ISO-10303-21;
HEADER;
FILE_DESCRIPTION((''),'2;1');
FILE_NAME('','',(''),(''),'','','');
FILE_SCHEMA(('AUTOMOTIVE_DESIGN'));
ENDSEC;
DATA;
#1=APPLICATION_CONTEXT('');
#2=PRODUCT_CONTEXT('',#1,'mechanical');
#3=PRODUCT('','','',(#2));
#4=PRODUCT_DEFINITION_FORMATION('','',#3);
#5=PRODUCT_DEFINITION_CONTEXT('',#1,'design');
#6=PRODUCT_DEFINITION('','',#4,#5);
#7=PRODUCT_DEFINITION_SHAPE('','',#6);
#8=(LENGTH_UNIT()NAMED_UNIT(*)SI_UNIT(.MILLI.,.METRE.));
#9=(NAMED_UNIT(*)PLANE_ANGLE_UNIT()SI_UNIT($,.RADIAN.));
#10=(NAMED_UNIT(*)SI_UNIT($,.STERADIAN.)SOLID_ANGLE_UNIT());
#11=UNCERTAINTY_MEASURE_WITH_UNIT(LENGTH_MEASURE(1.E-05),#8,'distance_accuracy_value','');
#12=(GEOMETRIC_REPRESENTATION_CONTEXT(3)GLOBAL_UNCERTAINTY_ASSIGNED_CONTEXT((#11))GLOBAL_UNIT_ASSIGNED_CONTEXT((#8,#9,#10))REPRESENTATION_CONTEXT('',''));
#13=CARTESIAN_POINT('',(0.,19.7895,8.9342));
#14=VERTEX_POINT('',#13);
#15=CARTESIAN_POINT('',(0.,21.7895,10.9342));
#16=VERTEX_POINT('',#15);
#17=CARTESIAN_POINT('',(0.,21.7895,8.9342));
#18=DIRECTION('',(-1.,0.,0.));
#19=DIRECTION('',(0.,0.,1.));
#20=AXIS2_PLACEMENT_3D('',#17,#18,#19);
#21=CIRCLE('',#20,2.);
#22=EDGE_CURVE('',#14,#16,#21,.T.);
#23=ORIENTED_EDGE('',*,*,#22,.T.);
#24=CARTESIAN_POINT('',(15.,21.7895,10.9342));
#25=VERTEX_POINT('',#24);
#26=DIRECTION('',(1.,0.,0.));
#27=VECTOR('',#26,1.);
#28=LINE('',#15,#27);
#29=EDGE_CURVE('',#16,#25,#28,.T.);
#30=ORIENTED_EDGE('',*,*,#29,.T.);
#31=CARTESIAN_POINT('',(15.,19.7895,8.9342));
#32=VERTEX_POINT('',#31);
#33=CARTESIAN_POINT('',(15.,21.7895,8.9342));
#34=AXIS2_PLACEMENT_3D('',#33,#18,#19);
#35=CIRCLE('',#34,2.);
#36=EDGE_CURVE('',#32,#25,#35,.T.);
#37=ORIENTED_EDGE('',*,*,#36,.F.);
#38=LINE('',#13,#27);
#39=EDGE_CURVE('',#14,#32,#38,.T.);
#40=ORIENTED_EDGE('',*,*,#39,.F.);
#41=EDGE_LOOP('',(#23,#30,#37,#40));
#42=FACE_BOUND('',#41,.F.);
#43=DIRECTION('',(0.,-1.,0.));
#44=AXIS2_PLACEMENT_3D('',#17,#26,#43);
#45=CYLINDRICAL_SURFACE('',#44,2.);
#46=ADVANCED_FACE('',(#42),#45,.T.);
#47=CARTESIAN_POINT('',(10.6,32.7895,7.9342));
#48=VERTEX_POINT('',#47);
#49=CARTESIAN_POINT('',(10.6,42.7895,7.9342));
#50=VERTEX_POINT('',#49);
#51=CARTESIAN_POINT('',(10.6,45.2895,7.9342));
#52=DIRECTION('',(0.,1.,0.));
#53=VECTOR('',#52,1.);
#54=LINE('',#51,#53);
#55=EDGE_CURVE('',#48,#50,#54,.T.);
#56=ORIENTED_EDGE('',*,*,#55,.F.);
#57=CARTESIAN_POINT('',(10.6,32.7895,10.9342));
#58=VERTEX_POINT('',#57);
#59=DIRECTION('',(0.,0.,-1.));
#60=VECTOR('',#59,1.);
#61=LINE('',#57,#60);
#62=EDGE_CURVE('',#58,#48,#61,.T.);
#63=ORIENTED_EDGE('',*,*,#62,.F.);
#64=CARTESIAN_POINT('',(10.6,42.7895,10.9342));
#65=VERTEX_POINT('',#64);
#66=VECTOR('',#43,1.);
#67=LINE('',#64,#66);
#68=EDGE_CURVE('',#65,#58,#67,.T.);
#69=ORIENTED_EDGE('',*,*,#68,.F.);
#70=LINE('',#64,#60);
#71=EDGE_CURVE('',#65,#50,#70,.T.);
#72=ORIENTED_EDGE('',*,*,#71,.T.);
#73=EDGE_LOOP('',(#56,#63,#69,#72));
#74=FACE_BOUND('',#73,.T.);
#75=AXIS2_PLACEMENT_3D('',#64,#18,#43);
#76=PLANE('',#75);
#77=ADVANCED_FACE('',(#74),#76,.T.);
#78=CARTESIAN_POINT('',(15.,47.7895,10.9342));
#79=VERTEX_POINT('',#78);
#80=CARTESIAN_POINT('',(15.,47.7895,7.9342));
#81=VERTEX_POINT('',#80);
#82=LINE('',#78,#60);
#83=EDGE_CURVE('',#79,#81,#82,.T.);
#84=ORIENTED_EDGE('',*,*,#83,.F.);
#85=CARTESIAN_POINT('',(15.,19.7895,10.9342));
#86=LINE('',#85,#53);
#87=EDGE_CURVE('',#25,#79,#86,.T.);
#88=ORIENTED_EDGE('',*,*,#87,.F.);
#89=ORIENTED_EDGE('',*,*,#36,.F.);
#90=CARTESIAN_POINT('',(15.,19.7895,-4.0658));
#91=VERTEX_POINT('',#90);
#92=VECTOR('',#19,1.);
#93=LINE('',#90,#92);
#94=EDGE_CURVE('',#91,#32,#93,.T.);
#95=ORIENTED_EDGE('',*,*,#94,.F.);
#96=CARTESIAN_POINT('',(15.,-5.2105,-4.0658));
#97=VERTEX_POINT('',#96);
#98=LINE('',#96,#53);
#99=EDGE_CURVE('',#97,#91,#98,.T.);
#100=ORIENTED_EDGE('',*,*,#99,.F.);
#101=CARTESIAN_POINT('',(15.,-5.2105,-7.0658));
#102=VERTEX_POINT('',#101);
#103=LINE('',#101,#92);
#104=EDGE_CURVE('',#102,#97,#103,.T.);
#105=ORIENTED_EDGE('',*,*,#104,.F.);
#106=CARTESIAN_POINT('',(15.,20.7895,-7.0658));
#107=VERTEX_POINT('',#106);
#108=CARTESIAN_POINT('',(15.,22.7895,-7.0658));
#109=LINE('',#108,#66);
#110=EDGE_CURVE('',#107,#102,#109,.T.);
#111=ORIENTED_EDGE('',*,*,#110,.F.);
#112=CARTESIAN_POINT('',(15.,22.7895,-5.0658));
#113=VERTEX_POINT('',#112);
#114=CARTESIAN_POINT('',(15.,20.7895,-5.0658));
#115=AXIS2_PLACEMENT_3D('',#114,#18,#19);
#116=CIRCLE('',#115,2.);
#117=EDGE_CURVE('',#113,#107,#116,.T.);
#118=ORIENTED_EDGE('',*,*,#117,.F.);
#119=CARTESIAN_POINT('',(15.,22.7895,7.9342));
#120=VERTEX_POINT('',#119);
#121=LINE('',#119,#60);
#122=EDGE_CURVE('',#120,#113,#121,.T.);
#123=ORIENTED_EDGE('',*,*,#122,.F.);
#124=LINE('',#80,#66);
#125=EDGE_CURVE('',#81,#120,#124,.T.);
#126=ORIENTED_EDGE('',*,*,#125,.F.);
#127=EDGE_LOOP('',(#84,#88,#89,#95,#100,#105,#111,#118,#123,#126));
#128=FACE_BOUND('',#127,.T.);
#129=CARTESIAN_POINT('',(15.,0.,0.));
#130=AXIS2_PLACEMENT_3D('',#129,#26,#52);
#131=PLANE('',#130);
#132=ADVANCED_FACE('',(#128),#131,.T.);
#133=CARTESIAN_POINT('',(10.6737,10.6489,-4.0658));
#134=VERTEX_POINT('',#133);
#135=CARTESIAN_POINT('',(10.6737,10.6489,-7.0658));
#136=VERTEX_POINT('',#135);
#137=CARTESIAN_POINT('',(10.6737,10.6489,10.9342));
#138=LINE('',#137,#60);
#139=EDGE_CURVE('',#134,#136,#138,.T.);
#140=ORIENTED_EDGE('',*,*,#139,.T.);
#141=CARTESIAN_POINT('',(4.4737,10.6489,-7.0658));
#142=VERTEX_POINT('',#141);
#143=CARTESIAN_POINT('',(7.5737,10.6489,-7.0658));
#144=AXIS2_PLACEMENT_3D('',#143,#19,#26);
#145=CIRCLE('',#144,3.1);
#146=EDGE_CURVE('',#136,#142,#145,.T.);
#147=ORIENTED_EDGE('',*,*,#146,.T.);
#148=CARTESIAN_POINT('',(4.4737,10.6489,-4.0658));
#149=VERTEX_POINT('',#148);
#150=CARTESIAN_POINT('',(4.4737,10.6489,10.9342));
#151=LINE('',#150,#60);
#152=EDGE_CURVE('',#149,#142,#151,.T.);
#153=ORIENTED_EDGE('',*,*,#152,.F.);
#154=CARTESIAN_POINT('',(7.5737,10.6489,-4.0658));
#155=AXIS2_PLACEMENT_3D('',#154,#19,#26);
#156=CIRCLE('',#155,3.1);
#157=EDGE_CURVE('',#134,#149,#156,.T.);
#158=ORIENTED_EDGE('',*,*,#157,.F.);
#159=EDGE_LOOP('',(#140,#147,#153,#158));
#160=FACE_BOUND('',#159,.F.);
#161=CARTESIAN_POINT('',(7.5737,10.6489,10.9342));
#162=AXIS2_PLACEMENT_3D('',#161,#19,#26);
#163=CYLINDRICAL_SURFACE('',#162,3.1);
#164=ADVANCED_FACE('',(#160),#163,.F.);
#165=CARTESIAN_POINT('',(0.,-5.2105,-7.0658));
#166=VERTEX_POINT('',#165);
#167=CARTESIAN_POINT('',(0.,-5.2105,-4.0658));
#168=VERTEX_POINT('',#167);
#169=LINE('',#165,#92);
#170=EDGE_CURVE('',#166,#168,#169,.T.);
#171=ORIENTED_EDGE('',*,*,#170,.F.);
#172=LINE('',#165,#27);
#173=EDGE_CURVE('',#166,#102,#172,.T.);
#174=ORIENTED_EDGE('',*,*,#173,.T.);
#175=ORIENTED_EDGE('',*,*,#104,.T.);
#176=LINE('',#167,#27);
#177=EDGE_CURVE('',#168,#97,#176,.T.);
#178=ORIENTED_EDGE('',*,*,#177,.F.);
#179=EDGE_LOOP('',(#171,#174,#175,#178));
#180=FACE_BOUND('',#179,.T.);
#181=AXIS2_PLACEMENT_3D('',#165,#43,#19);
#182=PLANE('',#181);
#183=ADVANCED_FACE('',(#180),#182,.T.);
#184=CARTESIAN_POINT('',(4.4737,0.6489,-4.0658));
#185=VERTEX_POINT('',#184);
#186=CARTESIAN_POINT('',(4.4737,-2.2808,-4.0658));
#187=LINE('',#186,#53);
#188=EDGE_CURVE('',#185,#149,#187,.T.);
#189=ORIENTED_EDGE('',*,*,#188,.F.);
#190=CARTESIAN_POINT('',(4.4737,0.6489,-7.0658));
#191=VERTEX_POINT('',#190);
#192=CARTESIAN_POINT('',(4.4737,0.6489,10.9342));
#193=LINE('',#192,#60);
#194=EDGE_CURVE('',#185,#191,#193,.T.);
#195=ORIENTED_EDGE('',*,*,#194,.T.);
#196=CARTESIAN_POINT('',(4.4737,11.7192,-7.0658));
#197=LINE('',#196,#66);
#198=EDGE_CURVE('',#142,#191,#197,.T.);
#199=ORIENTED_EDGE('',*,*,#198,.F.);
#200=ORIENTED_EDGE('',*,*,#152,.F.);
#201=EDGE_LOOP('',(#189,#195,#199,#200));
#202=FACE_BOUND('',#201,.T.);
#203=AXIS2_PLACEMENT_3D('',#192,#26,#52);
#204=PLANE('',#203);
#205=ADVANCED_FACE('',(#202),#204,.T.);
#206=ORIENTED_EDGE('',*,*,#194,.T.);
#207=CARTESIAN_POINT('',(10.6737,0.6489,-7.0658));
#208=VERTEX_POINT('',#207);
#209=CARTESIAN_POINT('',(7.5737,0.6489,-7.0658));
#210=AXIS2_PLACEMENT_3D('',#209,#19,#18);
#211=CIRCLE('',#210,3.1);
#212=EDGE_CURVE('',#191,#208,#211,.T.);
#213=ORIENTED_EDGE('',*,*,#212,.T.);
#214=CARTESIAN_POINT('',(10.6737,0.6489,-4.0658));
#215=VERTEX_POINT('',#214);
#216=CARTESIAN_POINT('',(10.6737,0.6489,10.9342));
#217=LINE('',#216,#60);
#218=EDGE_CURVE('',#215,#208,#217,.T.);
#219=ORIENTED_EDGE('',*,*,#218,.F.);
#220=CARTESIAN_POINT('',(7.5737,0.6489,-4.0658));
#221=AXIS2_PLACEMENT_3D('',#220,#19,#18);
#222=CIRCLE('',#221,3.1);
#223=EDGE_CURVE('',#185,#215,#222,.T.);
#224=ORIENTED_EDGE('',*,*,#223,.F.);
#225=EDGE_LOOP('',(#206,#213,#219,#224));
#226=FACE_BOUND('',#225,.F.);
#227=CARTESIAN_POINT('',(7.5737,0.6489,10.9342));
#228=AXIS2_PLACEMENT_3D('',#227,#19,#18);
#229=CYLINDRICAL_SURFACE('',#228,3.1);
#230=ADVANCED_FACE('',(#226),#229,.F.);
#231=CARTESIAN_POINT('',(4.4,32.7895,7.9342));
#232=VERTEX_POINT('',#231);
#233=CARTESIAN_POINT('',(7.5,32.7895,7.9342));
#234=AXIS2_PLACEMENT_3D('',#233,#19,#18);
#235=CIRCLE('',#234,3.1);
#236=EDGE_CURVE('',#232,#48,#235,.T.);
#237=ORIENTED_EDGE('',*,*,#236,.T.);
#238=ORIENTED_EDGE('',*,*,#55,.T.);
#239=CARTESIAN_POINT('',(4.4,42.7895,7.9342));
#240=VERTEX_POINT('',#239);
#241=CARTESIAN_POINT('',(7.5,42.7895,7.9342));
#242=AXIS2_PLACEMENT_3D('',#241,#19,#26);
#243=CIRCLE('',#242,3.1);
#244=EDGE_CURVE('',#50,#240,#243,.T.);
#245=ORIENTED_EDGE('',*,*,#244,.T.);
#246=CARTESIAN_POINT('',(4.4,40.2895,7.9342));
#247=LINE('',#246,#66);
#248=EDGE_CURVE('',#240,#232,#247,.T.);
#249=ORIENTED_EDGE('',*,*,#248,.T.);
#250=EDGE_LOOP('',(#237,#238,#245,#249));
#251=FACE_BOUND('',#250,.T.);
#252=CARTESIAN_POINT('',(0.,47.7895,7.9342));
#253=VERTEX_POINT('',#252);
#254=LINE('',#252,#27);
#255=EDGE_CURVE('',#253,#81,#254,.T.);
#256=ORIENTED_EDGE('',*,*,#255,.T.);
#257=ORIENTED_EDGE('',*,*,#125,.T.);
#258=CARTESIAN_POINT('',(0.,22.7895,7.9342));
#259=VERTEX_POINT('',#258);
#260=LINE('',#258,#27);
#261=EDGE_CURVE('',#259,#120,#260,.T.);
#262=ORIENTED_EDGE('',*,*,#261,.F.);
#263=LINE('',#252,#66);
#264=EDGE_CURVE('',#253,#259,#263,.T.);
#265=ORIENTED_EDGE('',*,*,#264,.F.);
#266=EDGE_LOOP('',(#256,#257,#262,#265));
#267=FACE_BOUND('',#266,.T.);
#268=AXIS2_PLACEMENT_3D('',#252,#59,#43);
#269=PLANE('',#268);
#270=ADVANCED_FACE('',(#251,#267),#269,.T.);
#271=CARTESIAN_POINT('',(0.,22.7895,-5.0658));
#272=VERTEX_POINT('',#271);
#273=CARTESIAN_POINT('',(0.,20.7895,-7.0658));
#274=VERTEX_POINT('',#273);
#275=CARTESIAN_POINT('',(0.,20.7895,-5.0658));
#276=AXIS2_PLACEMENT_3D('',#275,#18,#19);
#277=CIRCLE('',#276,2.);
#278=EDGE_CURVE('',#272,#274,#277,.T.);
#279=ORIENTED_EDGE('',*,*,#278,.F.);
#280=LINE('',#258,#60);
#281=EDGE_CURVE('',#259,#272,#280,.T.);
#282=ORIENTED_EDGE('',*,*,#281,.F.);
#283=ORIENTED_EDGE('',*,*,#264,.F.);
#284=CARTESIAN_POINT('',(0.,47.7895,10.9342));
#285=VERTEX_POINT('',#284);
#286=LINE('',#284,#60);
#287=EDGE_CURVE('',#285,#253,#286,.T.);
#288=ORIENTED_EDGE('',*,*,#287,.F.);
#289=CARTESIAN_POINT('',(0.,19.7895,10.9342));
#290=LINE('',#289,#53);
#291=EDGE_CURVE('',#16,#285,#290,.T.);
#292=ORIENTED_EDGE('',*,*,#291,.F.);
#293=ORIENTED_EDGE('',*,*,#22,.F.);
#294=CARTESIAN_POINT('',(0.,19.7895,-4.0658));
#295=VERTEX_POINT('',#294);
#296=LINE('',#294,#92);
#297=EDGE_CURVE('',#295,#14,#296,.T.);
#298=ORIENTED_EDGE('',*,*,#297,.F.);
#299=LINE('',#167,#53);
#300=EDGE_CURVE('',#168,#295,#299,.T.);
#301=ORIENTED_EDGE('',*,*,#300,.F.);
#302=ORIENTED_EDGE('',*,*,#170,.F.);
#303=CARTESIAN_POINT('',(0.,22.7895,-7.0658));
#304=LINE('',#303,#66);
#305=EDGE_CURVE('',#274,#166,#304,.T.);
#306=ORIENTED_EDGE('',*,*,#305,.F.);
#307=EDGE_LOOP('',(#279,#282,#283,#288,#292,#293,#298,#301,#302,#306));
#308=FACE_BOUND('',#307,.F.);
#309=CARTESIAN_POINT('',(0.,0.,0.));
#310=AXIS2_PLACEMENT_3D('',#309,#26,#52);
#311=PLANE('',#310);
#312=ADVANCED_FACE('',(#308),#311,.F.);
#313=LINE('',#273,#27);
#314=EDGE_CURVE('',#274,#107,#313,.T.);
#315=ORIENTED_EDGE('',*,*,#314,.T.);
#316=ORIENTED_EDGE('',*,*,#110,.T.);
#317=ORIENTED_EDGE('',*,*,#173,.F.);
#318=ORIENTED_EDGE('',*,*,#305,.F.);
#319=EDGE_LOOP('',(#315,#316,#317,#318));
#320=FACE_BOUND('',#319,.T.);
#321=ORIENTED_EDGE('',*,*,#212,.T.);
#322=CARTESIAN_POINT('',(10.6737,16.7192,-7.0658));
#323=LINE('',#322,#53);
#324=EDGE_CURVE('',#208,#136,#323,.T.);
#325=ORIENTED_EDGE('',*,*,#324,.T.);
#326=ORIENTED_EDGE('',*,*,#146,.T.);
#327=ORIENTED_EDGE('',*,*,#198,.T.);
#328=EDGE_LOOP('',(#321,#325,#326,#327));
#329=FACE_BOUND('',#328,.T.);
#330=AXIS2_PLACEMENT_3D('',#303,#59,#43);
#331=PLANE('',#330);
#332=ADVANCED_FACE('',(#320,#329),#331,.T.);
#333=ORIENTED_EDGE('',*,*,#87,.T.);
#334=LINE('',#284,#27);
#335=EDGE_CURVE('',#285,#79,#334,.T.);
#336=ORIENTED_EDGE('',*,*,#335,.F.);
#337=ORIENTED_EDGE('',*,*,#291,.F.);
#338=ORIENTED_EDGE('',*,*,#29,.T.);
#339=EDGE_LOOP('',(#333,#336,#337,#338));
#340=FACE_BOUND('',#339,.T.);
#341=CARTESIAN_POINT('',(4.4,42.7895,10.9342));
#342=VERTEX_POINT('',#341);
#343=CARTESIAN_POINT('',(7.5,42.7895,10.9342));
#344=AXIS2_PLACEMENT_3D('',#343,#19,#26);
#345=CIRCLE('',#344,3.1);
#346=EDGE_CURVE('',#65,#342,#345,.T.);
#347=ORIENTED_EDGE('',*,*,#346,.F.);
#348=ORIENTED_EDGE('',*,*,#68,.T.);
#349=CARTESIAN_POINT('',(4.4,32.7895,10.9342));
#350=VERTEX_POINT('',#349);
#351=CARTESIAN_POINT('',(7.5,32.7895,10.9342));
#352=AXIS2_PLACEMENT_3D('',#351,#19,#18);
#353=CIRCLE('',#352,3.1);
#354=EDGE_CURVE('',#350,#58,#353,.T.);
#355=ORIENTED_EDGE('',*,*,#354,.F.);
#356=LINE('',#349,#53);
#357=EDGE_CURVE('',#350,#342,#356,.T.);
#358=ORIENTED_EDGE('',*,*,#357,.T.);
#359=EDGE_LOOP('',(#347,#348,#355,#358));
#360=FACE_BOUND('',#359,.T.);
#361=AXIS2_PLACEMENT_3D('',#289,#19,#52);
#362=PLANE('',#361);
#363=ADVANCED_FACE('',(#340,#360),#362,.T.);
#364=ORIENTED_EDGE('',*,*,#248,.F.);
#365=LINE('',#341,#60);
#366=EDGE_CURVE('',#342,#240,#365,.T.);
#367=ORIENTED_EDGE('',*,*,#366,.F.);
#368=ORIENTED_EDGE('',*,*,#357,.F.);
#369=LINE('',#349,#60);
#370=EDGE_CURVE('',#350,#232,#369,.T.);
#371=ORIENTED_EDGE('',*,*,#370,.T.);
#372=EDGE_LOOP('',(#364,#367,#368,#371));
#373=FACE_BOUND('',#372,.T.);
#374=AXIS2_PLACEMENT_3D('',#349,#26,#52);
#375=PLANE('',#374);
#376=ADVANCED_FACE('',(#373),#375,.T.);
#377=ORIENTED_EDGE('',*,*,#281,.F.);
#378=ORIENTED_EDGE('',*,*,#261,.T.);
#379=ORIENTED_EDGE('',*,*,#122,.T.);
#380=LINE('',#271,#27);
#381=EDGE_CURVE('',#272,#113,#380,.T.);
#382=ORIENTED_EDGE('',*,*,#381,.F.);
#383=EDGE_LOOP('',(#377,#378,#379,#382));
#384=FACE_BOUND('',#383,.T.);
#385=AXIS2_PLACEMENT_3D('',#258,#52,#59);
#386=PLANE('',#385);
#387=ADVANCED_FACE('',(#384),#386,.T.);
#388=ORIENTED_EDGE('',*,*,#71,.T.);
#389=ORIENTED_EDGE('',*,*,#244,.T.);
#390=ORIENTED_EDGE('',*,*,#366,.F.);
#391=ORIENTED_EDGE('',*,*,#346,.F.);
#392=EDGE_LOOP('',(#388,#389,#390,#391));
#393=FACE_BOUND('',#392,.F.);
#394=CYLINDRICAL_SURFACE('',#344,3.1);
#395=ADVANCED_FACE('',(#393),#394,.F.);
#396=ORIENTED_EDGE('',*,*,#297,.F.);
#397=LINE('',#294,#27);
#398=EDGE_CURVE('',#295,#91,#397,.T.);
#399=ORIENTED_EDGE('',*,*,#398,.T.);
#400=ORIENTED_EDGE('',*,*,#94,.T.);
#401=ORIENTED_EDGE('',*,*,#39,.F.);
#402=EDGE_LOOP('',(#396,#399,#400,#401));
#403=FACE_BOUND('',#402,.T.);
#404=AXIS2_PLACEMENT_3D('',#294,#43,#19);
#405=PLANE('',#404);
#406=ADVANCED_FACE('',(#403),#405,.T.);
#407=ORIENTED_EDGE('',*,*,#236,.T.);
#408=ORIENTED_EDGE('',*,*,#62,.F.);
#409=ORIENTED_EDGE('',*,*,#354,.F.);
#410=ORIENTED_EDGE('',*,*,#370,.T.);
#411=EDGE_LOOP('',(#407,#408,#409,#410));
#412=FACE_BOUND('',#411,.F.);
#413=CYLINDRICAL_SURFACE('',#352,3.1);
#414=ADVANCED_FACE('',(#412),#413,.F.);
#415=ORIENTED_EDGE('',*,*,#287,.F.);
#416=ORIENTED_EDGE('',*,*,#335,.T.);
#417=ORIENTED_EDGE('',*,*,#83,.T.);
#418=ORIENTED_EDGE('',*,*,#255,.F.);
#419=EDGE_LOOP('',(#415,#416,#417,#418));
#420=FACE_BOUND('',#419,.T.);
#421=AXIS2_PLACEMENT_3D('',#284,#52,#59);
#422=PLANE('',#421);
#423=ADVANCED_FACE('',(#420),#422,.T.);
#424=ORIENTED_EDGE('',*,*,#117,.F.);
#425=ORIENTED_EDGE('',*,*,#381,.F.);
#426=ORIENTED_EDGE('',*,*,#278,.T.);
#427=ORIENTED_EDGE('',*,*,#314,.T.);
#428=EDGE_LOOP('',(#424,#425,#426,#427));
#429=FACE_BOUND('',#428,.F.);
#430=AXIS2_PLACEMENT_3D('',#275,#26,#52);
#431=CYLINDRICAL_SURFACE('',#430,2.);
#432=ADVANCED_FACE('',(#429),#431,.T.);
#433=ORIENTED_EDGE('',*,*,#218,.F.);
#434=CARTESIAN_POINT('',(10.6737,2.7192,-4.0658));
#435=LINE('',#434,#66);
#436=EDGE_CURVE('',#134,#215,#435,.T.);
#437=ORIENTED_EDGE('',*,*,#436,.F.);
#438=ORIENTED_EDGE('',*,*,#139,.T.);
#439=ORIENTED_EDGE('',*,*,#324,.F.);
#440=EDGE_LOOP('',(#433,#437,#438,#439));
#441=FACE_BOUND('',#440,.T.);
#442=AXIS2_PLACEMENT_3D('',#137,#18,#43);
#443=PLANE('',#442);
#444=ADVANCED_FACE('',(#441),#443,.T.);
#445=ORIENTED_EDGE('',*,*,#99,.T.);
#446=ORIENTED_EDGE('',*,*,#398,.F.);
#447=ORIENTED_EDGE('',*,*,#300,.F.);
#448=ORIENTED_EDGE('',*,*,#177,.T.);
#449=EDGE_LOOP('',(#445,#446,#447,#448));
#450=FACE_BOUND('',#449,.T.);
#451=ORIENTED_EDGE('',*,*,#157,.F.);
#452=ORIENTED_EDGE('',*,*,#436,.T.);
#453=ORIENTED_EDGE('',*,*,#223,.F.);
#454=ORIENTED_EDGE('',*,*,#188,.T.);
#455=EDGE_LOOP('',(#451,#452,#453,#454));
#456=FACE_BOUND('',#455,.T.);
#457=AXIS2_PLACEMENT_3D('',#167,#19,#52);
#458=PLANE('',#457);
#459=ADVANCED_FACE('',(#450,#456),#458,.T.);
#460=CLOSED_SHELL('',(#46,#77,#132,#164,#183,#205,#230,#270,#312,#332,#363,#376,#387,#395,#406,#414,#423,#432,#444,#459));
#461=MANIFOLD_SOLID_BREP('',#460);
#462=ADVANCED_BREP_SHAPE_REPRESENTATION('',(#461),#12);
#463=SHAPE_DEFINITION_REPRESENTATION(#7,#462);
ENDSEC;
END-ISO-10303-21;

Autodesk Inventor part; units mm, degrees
ref_plane "YZ Plane" through (0, 0, 0) normal (1, 0, 0) x (0, 1, 0)
ref_plane "XZ Plane" through (0, 0, 0) normal (0, 1, 0) x (-1, 0, 0)
ref_plane "XY Plane" through (0, 0, 0) normal (0, 0, 1) x (1, 0, 0)
sketch "Sketch1" plane through (0, 0, 0) normal (1, 0, 0) x (0, 1, 0)
  line L0 (47.7895, 7.9342) -> (22.7895, 7.9342)
  line L1 (22.7895, 7.9342) -> (22.7895, -7.0658)
  line L2 (22.7895, -7.0658) -> (-5.2105, -7.0658)
  line L3 (-5.2105, -7.0658) -> (-5.2105, -4.0658)
  line L4 (-5.2105, -4.0658) -> (19.7895, -4.0658)
  line L5 (19.7895, -4.0658) -> (19.7895, 10.9342)
  line L6 (19.7895, 10.9342) -> (47.7895, 10.9342)
  line L7 (47.7895, 10.9342) -> (47.7895, 7.9342)
  point P0 (0, 0)
  dimension "d0" = 3
  dimension "d1" = 3
  dimension "d2" = 3
  dimension "d3" = 15
  dimension "d4" = 25
  dimension "d5" = 25
extrude "Extrusion1" add sketch "Sketch1" along normal blind 15
fillet "Fillet1" radius 2 2 edges at (7.5, 22.7895, -7.0658) (7.5, 19.7895, 10.9342)
sketch "Sketch2" plane through (0, 47.7895, 10.9342) normal (0, 0, 1) x (1, 0, 0)
  arc A0 (10.6, -5) -> (4.4, -5) centre (7.5, -5) ccw
  line L0 (0, 0) -> (15, 0) projected
  arc A1 (4.4, -15) -> (10.6, -15) centre (7.5, -15) ccw
  line L1 (4.4, -15) -> (4.4, -5)
  line L2 (10.6, -5) -> (10.6, -15)
  line L3 (15, 0) -> (15, -26) projected
  arc A2 (10.6737, -37.1406) -> (4.4737, -37.1406) centre (7.5737, -37.1406) ccw
  line L4 (16.7377, 8.0467) -> (15.0737, 2.8292)
  arc A3 (4.4737, -47.1406) -> (10.6737, -47.1406) centre (7.5737, -47.1406) ccw
  line L5 (4.4737, -47.1406) -> (4.4737, -37.1406)
  line L6 (10.6737, -37.1406) -> (10.6737, -47.1406)
  line L7 (15.0737, 2.8292) -> (15.0737, -23.1708)
  point P0 (0, -47.7895)
  dimension "d9" = 6.2
  dimension "d10" = 5
  dimension "d11" = 6.2
  dimension "d12" = 10
  dimension "d13" = 7.5
  dimension "d15" = 7.5
  dimension "d16" = 6.2
  dimension "d17" = 5
  dimension "d18" = 6.2
  dimension "d19" = 10
  dimension "d20" = 7.5
  dimension "d21" = 7.5
extrude "Extrusion2" cut sketch "Sketch2" against normal blind 20
properties part number "Side holding bracket"
